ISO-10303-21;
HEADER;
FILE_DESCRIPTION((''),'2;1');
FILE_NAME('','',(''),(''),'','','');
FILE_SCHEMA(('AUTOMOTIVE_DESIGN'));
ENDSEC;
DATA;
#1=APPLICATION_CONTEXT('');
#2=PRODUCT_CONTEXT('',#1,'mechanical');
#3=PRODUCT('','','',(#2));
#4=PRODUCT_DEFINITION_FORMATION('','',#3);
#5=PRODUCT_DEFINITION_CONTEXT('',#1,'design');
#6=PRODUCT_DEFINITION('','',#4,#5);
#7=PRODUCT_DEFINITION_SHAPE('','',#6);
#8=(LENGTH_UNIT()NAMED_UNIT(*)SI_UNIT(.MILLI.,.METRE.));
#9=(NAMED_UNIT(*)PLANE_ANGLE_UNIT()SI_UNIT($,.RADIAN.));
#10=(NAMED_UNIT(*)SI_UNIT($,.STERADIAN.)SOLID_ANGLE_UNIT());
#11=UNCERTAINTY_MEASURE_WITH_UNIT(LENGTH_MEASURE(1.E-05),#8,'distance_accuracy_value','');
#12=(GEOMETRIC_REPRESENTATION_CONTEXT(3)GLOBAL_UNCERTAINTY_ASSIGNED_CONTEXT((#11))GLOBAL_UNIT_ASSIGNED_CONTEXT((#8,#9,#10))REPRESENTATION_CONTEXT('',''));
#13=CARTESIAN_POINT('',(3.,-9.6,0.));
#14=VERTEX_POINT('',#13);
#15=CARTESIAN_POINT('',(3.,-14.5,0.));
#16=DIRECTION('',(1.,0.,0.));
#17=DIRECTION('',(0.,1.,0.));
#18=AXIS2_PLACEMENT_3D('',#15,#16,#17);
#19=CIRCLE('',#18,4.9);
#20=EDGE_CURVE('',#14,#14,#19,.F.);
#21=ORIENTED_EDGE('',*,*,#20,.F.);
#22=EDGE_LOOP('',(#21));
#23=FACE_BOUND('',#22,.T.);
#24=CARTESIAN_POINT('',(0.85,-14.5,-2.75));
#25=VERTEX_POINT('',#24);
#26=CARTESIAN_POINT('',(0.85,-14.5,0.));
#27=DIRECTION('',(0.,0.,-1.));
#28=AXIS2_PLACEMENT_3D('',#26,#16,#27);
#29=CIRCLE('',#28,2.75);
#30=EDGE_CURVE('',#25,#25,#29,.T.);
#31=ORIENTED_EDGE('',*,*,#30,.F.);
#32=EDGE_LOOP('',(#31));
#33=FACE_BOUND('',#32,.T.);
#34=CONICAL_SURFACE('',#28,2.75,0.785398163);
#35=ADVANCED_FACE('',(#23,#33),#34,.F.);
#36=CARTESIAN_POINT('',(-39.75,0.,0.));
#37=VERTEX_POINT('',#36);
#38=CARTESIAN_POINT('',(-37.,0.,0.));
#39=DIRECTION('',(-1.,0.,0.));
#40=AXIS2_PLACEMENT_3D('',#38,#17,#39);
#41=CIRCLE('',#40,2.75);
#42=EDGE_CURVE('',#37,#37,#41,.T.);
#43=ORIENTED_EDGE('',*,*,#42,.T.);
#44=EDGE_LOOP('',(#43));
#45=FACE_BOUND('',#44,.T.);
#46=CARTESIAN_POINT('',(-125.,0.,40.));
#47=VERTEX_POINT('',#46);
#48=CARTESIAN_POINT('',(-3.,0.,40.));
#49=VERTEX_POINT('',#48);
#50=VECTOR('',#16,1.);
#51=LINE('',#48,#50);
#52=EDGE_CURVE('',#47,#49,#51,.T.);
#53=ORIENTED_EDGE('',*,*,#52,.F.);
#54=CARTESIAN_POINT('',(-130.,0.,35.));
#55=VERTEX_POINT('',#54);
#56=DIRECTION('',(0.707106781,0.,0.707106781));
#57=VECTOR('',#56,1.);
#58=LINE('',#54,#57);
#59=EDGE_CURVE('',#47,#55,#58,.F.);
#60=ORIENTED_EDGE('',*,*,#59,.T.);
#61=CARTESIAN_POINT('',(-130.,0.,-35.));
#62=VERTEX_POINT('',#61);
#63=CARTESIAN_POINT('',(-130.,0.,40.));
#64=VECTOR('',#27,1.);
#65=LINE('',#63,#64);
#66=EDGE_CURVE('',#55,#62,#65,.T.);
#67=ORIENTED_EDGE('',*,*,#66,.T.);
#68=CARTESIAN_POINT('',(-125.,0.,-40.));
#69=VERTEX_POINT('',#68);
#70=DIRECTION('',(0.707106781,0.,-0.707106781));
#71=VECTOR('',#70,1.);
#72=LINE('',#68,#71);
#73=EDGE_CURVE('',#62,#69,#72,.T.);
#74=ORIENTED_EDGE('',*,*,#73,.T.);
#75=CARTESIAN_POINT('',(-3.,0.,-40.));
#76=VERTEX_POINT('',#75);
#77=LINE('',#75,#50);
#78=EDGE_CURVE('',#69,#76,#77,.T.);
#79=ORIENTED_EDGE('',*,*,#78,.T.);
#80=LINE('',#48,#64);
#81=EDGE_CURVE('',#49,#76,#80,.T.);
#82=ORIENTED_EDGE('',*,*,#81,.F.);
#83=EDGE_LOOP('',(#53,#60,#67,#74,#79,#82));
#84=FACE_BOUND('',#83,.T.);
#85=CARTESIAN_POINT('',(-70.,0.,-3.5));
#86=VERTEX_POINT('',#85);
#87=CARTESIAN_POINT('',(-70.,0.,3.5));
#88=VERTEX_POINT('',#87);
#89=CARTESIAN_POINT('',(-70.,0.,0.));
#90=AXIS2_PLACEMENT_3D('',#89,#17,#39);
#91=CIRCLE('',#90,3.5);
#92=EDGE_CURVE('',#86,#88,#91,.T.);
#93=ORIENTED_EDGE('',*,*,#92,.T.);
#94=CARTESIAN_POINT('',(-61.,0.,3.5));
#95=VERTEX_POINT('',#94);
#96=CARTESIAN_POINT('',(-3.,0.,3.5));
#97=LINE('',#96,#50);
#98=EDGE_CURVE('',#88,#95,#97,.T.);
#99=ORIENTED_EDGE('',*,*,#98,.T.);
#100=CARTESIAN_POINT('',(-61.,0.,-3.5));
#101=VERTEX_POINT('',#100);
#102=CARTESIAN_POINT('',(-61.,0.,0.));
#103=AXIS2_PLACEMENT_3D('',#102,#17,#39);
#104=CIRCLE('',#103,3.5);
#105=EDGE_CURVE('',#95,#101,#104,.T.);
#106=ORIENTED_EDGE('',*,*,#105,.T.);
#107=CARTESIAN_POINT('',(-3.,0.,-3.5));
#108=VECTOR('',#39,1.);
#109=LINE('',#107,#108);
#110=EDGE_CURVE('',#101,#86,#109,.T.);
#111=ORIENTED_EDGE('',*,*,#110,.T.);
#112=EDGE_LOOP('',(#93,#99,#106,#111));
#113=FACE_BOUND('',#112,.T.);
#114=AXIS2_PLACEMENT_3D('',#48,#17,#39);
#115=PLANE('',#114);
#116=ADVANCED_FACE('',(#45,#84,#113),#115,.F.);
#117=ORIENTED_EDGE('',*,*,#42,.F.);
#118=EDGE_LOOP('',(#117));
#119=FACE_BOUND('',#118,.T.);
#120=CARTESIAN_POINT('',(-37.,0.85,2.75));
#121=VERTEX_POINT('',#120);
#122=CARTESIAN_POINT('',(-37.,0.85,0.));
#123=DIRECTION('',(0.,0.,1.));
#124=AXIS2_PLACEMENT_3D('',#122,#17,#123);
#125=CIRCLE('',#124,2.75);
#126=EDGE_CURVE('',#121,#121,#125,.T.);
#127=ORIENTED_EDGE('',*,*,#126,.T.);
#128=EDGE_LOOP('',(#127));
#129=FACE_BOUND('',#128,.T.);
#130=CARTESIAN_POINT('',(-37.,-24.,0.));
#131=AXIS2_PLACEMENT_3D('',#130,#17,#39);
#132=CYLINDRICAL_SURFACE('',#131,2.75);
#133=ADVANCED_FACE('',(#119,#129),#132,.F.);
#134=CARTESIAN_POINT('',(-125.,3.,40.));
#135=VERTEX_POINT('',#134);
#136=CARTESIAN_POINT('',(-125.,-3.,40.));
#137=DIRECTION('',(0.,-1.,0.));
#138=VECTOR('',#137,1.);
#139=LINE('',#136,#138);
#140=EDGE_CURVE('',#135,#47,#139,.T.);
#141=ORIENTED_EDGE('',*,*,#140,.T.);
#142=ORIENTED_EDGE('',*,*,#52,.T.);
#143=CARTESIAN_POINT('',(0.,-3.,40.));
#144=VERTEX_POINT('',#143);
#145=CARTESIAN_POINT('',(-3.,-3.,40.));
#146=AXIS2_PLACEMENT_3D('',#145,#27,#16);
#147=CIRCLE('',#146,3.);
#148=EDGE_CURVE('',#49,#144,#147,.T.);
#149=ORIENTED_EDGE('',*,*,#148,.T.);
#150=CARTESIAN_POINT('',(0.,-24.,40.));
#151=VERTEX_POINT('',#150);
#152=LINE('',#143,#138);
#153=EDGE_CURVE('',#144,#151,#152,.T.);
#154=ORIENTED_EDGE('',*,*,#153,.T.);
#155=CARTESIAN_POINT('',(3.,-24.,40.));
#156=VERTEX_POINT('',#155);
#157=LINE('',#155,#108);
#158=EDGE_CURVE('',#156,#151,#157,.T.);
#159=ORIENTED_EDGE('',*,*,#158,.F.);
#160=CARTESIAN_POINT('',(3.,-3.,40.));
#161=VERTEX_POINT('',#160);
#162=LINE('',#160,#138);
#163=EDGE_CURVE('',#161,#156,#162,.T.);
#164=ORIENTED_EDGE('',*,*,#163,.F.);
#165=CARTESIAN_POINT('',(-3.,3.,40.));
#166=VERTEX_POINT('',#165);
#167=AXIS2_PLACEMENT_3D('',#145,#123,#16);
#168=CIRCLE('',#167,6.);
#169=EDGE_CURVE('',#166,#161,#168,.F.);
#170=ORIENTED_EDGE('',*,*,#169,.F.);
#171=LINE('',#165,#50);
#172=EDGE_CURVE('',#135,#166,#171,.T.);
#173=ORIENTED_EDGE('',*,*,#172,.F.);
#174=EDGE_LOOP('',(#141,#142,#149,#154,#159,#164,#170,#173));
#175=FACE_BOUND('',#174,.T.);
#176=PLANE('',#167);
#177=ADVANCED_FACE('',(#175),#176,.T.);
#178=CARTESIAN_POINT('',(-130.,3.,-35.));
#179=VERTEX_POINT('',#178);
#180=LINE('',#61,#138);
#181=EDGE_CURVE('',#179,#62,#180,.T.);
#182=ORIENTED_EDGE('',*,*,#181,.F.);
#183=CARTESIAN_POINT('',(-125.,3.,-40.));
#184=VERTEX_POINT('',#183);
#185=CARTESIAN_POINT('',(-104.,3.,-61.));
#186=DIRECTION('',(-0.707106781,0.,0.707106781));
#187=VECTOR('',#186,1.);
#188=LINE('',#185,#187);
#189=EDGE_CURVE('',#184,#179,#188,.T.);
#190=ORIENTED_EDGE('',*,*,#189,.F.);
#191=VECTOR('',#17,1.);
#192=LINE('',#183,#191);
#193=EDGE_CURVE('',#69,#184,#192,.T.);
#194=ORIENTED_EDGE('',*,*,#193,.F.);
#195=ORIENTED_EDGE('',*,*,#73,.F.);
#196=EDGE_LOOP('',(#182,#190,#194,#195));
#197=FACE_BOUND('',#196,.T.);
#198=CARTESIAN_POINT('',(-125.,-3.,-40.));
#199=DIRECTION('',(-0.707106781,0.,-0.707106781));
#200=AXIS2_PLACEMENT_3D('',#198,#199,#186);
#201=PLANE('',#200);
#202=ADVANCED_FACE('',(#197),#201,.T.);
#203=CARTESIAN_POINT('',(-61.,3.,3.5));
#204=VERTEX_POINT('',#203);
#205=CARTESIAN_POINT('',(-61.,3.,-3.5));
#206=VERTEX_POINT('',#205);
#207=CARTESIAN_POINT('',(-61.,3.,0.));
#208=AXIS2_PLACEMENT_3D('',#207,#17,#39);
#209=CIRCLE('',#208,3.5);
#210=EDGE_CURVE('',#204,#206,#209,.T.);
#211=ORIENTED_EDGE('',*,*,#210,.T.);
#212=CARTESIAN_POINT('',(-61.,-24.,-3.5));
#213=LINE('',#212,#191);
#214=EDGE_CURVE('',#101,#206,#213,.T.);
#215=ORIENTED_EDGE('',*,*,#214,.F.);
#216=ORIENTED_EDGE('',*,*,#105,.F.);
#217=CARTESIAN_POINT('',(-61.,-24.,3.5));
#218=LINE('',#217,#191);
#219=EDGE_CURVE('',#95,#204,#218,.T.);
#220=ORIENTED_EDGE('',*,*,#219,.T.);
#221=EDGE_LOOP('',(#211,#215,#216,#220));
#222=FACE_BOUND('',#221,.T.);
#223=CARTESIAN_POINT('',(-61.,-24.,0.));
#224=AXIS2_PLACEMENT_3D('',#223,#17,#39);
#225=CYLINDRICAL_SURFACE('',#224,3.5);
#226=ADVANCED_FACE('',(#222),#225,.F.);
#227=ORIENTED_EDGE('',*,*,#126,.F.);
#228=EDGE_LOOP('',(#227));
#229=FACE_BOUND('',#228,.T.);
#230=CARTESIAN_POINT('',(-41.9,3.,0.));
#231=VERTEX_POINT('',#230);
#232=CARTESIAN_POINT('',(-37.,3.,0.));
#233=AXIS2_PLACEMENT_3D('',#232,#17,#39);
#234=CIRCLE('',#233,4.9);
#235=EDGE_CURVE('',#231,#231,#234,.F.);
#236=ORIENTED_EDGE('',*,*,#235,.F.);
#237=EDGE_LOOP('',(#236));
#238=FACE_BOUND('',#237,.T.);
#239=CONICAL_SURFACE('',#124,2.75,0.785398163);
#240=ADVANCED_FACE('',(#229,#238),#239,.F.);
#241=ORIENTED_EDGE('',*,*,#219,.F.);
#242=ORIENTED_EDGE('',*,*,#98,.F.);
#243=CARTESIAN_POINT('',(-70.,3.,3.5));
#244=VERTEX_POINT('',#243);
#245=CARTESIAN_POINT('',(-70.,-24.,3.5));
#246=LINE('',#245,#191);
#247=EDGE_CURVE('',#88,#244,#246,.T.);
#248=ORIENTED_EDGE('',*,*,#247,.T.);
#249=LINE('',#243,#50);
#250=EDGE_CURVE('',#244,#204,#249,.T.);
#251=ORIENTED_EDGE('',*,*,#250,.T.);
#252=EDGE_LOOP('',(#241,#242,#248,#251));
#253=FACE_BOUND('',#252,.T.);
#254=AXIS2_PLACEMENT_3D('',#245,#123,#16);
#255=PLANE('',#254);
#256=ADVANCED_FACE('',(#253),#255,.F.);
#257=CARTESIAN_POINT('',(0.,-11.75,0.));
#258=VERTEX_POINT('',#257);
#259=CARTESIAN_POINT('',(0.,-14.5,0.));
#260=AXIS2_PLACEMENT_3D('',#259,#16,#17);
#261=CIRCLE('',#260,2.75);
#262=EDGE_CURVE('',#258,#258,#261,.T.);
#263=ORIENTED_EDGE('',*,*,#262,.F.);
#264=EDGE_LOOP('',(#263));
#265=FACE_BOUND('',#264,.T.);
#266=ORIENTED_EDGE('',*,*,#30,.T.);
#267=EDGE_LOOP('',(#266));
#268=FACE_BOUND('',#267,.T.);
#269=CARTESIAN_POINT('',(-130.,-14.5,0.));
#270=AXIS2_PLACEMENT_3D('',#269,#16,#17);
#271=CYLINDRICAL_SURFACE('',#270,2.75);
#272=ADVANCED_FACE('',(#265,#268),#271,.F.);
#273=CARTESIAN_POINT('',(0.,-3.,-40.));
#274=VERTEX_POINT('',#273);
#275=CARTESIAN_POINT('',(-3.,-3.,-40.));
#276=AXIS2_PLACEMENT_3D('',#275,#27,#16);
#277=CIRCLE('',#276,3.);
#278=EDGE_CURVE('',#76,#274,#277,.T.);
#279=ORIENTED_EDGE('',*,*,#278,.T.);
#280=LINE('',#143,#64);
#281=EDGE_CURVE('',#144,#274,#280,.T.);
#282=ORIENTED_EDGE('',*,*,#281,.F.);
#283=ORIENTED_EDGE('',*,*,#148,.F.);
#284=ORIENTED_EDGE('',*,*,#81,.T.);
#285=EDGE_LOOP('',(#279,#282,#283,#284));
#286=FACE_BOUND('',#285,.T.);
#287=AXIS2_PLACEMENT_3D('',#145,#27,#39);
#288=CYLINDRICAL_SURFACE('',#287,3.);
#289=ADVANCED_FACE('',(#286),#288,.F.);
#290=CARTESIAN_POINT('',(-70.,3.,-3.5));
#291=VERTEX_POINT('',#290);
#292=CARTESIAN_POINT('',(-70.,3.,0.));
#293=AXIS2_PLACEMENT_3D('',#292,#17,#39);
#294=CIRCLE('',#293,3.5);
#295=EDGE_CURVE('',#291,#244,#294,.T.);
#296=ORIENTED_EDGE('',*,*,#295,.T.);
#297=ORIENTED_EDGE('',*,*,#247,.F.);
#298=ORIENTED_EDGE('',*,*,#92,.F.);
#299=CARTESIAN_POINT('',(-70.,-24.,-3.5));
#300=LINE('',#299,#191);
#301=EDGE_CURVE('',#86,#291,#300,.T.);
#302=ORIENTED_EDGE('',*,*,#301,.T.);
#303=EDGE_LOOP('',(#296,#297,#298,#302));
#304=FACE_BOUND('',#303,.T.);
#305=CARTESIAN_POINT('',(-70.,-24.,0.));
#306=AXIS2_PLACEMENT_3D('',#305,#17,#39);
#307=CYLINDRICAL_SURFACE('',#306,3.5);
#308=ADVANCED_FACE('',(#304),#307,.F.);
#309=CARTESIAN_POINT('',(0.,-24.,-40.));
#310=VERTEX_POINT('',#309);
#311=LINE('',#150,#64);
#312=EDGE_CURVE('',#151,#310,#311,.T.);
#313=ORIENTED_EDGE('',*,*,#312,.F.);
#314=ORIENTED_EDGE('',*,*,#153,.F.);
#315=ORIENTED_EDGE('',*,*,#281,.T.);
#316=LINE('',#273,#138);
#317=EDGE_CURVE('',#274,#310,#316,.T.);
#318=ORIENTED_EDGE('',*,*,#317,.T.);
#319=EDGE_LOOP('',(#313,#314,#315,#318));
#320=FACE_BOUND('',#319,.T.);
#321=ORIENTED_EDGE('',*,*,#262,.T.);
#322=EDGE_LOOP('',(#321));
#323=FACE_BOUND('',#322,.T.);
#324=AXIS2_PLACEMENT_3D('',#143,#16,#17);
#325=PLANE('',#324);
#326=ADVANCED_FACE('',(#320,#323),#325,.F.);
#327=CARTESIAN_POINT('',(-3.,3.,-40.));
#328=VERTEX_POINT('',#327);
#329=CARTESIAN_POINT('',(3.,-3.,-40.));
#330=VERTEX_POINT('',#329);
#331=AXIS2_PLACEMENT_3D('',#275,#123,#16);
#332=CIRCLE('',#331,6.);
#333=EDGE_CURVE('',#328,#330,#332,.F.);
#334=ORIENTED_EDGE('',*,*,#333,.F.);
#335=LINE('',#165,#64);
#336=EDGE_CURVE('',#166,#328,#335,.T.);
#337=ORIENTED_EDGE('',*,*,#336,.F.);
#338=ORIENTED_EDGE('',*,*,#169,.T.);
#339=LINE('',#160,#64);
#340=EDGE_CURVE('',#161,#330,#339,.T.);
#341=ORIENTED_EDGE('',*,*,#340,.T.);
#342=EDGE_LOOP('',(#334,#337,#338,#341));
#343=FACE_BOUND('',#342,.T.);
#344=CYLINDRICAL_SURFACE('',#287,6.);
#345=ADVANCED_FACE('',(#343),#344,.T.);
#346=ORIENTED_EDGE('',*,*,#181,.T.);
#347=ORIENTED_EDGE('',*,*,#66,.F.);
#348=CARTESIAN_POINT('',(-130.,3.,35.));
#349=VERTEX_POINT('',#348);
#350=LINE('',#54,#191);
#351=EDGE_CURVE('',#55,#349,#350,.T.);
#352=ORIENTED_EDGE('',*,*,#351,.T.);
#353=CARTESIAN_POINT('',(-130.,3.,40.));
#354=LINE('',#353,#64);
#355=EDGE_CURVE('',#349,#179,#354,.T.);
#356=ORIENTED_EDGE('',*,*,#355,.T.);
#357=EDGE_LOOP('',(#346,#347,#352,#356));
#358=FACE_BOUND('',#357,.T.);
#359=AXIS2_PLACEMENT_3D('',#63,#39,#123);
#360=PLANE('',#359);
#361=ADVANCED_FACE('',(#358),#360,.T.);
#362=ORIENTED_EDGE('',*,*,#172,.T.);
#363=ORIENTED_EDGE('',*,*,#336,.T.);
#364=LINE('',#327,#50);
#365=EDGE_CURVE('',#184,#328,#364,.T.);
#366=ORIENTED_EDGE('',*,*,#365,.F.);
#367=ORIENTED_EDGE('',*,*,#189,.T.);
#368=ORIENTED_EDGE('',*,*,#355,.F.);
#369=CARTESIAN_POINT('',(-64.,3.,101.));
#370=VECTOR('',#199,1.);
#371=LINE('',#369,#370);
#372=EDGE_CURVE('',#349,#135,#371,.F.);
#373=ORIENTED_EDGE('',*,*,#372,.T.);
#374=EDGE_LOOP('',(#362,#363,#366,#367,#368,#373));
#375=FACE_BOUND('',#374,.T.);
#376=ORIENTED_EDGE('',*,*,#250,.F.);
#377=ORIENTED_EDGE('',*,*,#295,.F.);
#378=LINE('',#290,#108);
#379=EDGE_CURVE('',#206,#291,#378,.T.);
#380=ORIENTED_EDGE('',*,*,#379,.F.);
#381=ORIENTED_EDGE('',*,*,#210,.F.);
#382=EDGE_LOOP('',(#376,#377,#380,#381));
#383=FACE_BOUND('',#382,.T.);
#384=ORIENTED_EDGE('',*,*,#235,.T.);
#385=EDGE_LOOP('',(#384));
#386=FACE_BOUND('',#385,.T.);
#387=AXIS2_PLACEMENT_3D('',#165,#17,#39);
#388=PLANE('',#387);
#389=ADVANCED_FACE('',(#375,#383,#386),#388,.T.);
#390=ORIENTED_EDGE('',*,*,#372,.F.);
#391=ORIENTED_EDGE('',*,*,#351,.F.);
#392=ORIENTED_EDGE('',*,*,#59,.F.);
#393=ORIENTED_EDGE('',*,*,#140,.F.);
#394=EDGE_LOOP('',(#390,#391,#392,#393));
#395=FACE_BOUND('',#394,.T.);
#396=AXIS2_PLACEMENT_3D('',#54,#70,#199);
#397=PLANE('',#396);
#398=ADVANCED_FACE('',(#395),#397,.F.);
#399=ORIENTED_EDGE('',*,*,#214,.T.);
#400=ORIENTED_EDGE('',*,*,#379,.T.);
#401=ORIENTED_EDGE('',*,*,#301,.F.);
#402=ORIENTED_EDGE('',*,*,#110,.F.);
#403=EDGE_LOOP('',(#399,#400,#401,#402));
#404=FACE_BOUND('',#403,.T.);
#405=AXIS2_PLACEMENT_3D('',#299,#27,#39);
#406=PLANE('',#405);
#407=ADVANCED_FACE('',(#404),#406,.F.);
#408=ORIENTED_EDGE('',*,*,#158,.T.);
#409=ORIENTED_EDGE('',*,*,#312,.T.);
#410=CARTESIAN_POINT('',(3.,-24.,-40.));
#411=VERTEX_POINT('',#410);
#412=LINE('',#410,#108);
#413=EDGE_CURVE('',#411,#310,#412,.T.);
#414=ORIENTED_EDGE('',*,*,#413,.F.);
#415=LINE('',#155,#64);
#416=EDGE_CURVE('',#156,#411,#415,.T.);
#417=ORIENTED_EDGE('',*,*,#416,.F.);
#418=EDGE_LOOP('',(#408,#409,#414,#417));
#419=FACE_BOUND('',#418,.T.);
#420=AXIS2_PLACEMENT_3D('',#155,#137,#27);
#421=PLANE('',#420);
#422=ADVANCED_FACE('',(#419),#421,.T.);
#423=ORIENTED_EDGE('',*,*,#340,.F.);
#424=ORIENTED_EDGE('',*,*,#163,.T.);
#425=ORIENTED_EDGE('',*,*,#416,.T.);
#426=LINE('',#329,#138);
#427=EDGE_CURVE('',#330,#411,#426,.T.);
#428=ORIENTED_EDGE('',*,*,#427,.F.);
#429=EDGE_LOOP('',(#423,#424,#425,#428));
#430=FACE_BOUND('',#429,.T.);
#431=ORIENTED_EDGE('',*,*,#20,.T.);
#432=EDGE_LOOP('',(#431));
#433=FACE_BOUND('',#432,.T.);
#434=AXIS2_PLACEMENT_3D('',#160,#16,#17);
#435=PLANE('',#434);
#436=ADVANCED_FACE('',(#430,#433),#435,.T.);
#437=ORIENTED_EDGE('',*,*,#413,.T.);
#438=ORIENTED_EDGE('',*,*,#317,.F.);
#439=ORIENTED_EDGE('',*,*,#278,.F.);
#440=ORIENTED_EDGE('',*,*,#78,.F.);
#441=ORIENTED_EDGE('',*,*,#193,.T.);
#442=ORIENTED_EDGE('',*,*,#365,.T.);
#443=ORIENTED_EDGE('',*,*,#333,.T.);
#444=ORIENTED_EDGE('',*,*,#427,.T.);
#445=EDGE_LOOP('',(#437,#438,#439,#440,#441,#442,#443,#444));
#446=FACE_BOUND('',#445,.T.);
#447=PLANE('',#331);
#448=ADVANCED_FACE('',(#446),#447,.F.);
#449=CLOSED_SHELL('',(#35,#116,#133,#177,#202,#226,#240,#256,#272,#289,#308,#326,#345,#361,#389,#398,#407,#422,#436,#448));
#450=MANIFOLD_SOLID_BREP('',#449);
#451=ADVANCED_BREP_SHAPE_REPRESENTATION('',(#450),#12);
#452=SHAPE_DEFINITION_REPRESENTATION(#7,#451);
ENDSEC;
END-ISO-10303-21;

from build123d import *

# Parameters (mm, degrees)
BASE_EXTRU_MINCE_DEPTH  = 40
CHANFREIN1_SIZE         = 5
ESQUISSE3_R             = 2.75
ENL_V_MAT_EXTRU_1_DEPTH = 139.668669857
ESQUISSE4_R             = 2.75
ENL_V_MAT_EXTRU_2_DEPTH = 141.943250991
CHANFREIN2_SIZE         = 2.15


with BuildPart() as part:
    # Esquisse1 → Base-Extru.-Mince (new, symmetric)
    with BuildSketch(Plane.XY):
        with BuildLine():
            Line((0, -24), (0, -3))
            ThreePointArc((0, -3), (-0.878679656, -0.878679656), (-3, 0))
            Line((-3, 0), (-130, 0))
            Line((-130, 0), (-130, 3))
            Line((-130, 3), (-3, 3))
            ThreePointArc((-3, 3), (1.242640687, 1.242640687), (3, -3))
            Line((3, -3), (3, -24))
            Line((3, -24), (0, -24))
        make_face()
    extrude(amount=BASE_EXTRU_MINCE_DEPTH, both=True)

    # Chanfrein1
    chanfrein1_edges = [part.edges().sort_by_distance(p)[0] for p in [
        (-130, 1.5, -40),
        (-130, 1.5, 40),
    ]]
    chamfer(chanfrein1_edges, length=CHANFREIN1_SIZE)

    # Esquisse3 → Enlèv. mat.-Extru.1 (cut, through all)
    with BuildSketch(Plane(origin=(0, 3, 0), x_dir=(-1, 0, 0), z_dir=(0, 1, 0))):
        with Locations((37, 0)):
            Circle(ESQUISSE3_R)
        with BuildLine():
            Line((70, 3.5), (61, 3.5))
            ThreePointArc((61, 3.5), (57.5, 0), (61, -3.5))
            Line((61, -3.5), (70, -3.5))
            ThreePointArc((70, -3.5), (73.5, 0), (70, 3.5))
        make_face()
    extrude(amount=-ENL_V_MAT_EXTRU_1_DEPTH, mode=Mode.SUBTRACT)

    # Esquisse4 → Enlèv. mat.-Extru.2 (cut, through all)
    with BuildSketch(Plane(origin=(3, 0, 0), x_dir=(0, 0, -1), z_dir=(1, 0, 0))):
        with Locations((0, -14.5)):
            Circle(ESQUISSE4_R)
    extrude(amount=-ENL_V_MAT_EXTRU_2_DEPTH, mode=Mode.SUBTRACT)

    # Chanfrein2
    chanfrein2_edges = [part.edges().sort_by_distance(p)[0] for p in [
        (-34.25, 3, 0),
        (3, -14.5, 2.75),
    ]]
    chamfer(chanfrein2_edges, length=CHANFREIN2_SIZE)


solid = part.part
